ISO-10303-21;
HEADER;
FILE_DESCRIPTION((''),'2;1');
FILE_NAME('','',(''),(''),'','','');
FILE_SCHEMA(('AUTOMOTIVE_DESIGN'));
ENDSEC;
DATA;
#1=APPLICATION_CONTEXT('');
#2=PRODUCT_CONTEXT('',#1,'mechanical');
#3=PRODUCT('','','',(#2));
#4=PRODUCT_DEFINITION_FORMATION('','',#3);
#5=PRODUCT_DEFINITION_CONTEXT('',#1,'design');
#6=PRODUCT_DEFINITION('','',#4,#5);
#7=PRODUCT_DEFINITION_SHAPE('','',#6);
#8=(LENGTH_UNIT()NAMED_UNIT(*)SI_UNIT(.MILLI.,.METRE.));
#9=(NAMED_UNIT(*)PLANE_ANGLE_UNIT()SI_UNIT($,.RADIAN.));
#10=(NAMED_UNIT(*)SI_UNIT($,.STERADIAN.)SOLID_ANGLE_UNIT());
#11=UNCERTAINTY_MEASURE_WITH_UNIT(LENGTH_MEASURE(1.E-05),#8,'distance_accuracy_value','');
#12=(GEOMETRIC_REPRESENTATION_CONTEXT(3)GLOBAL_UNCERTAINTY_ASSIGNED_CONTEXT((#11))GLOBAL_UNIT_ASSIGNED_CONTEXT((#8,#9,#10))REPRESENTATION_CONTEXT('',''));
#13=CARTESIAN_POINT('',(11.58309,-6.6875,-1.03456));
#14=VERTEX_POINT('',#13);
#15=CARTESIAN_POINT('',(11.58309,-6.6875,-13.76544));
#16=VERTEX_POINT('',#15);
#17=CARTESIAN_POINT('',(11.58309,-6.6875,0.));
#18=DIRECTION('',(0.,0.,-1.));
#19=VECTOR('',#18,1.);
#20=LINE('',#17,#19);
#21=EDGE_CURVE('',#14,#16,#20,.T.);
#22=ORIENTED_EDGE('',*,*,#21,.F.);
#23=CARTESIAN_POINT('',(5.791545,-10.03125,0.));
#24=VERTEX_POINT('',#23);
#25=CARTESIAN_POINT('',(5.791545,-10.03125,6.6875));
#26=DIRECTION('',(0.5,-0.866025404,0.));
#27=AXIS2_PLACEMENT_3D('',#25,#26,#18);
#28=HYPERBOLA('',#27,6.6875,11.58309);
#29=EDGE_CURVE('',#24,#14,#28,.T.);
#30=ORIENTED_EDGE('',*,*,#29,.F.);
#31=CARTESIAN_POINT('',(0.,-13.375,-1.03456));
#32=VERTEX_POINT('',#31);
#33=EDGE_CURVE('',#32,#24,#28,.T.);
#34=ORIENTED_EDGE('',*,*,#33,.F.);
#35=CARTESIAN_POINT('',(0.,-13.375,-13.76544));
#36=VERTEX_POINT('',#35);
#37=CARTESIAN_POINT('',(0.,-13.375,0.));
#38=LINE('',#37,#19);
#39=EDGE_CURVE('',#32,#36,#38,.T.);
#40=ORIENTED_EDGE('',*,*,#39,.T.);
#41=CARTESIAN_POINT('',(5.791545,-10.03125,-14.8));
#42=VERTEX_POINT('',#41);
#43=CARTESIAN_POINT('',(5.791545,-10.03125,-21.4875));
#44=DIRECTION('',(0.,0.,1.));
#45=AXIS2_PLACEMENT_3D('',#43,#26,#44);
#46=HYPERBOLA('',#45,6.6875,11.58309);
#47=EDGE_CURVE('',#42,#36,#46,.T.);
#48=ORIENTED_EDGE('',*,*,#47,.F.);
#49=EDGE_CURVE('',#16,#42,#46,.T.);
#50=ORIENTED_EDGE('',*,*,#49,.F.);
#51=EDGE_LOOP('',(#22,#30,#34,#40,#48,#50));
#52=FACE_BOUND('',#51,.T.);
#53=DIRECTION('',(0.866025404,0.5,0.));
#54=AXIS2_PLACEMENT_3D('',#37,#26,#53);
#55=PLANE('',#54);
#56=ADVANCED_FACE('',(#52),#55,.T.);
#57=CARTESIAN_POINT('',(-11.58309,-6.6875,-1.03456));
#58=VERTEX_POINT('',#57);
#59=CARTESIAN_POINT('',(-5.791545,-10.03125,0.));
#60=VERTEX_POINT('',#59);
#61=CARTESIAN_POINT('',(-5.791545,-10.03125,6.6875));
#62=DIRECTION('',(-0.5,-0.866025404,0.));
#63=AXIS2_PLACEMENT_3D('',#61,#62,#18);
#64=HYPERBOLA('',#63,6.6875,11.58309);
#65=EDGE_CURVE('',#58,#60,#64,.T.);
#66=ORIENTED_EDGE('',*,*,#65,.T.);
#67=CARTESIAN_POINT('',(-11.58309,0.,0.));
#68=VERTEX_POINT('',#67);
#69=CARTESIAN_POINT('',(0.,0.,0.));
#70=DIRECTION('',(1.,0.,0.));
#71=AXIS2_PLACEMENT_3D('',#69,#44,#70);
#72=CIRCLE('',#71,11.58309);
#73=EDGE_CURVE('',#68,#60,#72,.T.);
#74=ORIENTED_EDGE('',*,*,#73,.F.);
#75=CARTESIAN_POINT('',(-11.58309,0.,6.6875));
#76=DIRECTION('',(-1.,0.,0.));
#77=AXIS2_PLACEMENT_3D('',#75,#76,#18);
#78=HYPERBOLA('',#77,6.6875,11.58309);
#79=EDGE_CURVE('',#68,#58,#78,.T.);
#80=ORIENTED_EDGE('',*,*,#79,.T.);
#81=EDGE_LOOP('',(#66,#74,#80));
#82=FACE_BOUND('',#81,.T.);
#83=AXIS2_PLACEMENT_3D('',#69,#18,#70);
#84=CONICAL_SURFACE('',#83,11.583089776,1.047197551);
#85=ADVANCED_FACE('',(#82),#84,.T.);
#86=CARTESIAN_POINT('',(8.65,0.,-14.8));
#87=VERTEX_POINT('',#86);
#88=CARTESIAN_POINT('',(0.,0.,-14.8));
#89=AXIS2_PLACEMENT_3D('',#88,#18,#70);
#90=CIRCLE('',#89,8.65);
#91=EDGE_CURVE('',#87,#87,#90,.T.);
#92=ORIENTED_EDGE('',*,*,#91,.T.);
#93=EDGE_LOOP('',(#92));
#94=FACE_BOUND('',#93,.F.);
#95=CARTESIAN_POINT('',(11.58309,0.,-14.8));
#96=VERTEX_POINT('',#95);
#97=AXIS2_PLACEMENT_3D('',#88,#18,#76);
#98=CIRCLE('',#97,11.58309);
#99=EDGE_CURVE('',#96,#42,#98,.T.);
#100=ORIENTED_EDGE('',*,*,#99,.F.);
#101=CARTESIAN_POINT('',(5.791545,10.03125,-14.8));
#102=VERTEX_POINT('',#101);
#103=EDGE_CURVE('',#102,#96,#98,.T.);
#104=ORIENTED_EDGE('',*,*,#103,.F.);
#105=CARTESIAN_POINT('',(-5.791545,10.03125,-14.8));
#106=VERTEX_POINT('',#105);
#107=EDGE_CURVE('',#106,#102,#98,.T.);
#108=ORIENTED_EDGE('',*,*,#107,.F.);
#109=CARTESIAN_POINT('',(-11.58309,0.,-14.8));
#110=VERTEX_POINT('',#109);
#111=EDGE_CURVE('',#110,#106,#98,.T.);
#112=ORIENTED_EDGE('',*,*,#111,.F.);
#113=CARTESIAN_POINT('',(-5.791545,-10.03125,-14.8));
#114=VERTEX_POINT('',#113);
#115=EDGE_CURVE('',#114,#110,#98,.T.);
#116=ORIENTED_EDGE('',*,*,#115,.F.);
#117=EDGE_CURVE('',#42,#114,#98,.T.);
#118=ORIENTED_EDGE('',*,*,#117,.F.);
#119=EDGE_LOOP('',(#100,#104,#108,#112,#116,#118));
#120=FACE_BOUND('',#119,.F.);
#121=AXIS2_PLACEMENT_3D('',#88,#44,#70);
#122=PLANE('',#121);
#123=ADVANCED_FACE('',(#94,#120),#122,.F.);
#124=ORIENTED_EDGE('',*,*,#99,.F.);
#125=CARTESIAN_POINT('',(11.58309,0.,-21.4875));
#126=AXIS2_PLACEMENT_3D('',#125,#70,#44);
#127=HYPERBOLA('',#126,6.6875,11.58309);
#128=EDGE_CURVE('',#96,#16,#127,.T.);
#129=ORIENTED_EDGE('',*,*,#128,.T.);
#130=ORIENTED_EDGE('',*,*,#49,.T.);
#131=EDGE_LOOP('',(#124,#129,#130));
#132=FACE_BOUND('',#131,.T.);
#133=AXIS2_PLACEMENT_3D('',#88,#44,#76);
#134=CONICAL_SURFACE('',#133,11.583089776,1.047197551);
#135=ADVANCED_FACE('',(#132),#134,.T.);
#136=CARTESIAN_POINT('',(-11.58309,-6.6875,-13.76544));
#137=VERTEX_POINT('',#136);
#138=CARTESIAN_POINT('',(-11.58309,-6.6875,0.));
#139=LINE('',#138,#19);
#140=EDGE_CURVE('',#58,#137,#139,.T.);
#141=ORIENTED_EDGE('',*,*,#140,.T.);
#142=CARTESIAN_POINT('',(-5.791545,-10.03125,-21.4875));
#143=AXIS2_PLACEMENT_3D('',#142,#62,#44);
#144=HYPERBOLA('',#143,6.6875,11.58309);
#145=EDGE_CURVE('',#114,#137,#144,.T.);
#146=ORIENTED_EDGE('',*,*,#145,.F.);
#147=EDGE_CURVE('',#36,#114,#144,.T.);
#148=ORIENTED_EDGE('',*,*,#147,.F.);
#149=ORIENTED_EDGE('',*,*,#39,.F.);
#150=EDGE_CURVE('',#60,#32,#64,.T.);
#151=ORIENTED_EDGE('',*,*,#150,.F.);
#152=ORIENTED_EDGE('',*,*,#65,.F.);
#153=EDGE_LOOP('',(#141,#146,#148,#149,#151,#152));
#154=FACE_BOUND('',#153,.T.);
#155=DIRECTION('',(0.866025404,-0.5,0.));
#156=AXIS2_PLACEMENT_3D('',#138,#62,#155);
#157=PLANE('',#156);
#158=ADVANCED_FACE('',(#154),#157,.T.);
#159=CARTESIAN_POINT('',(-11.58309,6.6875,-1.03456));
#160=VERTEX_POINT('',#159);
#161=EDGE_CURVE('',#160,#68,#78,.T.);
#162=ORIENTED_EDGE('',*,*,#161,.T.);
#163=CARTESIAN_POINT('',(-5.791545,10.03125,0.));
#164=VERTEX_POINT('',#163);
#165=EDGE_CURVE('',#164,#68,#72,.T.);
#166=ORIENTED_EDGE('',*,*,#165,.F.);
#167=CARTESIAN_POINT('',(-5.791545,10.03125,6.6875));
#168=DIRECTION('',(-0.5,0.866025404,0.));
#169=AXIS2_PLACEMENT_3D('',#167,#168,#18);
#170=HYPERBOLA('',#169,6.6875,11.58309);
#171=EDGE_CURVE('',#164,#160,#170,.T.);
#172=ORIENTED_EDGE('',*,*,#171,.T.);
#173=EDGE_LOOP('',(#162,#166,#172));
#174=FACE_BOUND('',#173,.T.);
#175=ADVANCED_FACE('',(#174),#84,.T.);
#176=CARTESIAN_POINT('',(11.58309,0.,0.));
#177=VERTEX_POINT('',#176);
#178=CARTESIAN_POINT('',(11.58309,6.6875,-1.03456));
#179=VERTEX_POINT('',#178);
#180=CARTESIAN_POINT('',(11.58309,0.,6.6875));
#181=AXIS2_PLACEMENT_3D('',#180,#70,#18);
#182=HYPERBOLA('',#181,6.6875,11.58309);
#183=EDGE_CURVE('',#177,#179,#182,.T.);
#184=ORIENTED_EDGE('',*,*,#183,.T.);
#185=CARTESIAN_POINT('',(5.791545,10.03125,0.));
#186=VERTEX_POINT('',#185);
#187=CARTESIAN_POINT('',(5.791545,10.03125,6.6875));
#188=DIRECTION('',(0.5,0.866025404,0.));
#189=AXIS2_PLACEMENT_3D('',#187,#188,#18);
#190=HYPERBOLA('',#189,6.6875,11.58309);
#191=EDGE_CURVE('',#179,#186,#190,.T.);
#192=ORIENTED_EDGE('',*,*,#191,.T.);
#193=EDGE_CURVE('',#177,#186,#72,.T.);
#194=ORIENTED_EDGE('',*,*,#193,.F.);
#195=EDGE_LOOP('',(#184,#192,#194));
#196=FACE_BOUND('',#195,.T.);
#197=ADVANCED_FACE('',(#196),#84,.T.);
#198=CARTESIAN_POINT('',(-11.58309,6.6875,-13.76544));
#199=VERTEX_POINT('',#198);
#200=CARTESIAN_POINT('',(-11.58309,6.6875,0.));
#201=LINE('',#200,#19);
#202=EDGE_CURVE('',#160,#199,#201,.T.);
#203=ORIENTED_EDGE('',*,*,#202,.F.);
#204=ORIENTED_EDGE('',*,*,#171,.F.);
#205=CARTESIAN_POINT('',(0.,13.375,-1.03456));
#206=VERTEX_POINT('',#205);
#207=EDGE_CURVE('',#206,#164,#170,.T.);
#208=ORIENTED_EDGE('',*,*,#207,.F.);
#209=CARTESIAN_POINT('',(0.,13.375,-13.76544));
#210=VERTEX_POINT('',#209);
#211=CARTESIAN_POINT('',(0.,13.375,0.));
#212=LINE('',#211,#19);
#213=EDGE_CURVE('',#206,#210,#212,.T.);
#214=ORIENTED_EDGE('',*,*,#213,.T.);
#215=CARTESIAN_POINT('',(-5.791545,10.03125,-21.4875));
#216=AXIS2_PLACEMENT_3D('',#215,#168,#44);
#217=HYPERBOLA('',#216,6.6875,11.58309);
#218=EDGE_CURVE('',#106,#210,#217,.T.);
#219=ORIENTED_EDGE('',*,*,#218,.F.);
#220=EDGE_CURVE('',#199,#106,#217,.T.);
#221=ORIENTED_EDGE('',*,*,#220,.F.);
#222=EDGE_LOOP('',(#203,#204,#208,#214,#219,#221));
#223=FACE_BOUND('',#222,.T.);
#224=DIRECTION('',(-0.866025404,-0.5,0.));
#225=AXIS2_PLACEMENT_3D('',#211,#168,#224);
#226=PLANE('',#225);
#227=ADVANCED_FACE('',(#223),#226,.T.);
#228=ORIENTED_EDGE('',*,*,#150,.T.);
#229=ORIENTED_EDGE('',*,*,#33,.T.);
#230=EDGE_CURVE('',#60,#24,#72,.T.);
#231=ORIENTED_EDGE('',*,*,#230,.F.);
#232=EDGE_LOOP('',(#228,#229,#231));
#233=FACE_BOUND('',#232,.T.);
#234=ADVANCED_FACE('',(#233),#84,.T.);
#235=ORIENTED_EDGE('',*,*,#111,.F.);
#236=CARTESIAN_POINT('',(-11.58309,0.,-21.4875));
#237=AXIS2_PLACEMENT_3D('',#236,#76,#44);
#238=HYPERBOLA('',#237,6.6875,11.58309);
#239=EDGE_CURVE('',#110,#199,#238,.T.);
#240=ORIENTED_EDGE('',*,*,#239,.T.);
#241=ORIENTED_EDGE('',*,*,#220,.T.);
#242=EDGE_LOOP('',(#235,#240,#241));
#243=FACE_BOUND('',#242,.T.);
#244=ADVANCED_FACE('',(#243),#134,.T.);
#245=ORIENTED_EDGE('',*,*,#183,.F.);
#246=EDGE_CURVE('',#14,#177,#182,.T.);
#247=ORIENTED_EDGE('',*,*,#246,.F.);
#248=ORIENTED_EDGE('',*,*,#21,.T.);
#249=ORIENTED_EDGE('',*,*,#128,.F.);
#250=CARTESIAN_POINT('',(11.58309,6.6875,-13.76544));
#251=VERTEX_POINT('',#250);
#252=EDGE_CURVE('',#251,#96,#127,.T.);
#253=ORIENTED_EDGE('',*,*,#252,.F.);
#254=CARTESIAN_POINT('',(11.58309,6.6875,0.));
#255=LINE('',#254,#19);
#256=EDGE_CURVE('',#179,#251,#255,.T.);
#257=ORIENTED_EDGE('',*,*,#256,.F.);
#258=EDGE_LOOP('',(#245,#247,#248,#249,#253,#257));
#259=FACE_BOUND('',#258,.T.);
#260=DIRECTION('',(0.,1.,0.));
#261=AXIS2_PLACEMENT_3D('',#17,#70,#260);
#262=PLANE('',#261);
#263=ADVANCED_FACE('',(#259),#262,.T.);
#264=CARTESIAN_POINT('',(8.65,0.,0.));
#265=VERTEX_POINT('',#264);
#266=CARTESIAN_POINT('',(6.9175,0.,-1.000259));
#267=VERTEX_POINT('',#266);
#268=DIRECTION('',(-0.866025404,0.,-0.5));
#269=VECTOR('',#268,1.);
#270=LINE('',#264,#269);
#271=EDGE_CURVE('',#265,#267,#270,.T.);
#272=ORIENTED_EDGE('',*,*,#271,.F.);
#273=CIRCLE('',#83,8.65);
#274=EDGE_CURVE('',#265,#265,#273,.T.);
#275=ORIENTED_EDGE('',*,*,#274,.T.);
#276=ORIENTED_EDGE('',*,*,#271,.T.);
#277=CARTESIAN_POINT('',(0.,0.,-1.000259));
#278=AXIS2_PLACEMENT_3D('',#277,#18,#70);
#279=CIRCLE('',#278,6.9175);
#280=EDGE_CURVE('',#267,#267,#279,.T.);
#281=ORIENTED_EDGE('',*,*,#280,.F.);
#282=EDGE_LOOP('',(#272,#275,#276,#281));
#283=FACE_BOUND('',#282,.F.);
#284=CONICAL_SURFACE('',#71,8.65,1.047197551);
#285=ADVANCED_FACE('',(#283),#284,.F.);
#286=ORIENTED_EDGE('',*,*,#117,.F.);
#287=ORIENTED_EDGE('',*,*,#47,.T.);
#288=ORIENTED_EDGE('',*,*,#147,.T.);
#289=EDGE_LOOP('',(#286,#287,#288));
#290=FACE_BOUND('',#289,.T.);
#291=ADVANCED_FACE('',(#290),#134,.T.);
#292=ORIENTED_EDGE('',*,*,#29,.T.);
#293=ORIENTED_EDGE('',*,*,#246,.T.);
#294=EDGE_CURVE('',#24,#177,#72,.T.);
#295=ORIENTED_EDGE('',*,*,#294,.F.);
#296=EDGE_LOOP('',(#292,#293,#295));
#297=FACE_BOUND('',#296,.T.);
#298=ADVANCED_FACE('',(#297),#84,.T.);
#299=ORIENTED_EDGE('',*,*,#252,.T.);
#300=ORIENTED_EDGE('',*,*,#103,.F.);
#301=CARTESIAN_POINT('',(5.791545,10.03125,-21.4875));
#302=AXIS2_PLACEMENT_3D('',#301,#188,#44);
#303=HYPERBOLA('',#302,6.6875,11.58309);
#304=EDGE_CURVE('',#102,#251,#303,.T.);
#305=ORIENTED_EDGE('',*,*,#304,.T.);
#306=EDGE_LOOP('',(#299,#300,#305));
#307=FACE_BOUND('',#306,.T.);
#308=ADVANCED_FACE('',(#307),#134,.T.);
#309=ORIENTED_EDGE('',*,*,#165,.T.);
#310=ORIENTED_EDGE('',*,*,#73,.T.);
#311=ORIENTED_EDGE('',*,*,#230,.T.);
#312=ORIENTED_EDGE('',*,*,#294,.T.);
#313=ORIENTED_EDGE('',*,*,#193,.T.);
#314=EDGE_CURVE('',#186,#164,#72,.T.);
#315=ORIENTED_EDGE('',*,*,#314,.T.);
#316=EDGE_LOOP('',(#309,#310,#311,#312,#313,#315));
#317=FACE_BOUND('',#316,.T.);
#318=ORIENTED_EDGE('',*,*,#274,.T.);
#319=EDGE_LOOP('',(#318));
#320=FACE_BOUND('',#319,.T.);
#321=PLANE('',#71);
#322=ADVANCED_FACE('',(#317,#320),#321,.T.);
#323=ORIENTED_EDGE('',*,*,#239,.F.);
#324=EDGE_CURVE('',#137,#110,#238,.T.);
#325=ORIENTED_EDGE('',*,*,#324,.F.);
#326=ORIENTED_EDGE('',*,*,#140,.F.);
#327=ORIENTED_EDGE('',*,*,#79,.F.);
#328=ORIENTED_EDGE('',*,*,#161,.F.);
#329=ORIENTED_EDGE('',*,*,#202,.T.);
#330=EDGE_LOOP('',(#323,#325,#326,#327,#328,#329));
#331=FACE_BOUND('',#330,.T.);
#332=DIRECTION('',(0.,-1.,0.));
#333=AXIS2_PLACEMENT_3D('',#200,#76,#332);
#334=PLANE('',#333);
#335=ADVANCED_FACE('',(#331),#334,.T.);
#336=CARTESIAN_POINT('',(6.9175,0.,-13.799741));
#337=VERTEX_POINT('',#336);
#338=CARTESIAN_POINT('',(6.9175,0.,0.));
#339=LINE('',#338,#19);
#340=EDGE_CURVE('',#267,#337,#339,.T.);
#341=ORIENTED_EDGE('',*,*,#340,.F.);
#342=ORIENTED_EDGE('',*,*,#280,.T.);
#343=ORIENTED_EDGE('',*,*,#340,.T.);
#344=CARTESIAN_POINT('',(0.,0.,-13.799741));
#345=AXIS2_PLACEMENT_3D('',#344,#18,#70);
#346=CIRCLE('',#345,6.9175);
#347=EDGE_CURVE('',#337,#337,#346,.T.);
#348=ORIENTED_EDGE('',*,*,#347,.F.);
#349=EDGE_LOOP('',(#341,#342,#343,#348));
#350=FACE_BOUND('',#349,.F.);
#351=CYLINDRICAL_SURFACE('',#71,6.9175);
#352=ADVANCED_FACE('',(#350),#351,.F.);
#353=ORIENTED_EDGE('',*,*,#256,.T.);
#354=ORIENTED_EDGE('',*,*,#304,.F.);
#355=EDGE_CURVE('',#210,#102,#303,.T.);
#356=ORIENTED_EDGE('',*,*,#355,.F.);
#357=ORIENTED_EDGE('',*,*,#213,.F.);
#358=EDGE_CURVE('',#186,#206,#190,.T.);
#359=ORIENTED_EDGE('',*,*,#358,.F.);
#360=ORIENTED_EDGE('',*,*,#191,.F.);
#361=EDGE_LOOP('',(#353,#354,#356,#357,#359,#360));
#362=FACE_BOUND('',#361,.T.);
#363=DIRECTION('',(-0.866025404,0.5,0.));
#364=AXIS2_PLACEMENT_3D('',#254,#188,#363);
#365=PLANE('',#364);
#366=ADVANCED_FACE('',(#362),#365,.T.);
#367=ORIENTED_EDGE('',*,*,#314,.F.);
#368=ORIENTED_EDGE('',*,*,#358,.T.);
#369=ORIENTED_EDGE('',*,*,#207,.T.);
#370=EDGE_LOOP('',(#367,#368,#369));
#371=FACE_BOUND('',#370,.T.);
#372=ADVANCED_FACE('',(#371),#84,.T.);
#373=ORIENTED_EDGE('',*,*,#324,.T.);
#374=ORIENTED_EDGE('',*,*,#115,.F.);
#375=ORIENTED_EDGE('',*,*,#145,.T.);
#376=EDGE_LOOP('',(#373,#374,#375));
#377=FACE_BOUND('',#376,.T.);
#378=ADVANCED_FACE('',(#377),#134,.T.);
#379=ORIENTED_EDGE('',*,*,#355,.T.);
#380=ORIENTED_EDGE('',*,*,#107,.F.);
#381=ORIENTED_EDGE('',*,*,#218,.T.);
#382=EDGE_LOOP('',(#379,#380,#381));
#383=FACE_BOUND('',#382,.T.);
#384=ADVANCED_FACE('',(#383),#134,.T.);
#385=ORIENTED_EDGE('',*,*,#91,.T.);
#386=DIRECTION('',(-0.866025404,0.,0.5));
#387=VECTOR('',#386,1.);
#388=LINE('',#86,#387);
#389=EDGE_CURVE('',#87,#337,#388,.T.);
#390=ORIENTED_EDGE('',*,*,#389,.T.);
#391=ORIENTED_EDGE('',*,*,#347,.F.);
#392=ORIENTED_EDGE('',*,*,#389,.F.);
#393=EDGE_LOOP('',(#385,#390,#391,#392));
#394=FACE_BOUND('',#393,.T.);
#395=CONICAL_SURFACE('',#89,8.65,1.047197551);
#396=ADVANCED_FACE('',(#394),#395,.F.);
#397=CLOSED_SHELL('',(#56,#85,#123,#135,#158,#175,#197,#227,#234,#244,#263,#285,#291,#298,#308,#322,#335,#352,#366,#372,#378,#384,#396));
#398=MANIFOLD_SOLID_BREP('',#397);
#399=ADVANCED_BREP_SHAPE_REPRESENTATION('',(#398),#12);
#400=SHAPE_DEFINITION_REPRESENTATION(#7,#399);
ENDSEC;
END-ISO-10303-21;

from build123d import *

# Parameters (mm, degrees)
SKETCH_3_R          = 6.9175
EXTRUDE_1_DEPTH     = 14.8
SKETCH_5_R          = 20.0625
SKETCH_5_R_2        = 11.583089776
CUT_EXTRUDE_1_DEPTH = 2.96
CUT_EXTRUDE_1_DRAFT = -60
SKETCH_7_R          = 20.0625
SKETCH_7_R_2        = 11.583089776
CUT_EXTRUDE_2_DEPTH = 2.96
CUT_EXTRUDE_2_DRAFT = -60


with BuildPart() as part:
    # 草图3 → 凸台-拉伸1 (new body)
    with BuildSketch(Plane.XY):
        Polygon((0, 13.375), (-11.583089776, 6.6875), (-11.583089776, -6.6875), (0, -13.375), (11.583089776, -6.6875), (11.583089776, 6.6875), align=None)
        Circle(SKETCH_3_R, mode=Mode.SUBTRACT)
    extrude(amount=-EXTRUDE_1_DEPTH)

    # 草图4 → 切除-旋转1 (revolve, cut)
    with BuildSketch(Plane(origin=(0, 0, 0), x_dir=(0, 0, -1), z_dir=(1, 0, 0)), mode=Mode.PRIVATE) as cut_revolve_1_sk:
        Polygon((0, 8.65), (1.000259341, 6.9175), (1.000259341, 0), (0, 0), align=None)
        Polygon((14.8, 0), (14.8, 8.65), (13.799740659, 6.9175), (13.799740659, 0), align=None)
    revolve(cut_revolve_1_sk.sketch.rotate(Axis((0, 0, 0), (0, 0, -1)), 90), axis=Axis((0, 0, 0), (0, 0, -1)), mode=Mode.SUBTRACT)


with BuildPart() as cut_extrude_1_tool:
    # 草图5 → 切除-拉伸1 (with draft: the straight prism first)
    with BuildSketch(Plane.XY):
        Circle(SKETCH_5_R)
        Circle(SKETCH_5_R_2, mode=Mode.SUBTRACT)
    extrude(amount=-CUT_EXTRUDE_1_DEPTH)
    # 切除-拉伸1: the draft: its side faces are tilted about the plane it starts from
    cut_extrude_1_sides = [cut_extrude_1_tool.faces().sort_by_distance(p)[0] for p in [
        (-20.0625, 0, -1.48),
        (-11.583089776, 0, -1.48),
    ]]
    draft(cut_extrude_1_sides, Plane.XY, CUT_EXTRUDE_1_DRAFT)


with BuildPart() as part_1:
    add(part.part)

    # 切除-拉伸1: cut by cut_extrude_1_tool
    add(cut_extrude_1_tool.part, mode=Mode.SUBTRACT)


with BuildPart() as cut_extrude_2_tool:
    # 草图7 → 切除-拉伸2 (with draft: the straight prism first)
    with BuildSketch(Plane(origin=(0, 0, -14.8), x_dir=(-1, 0, 0), z_dir=(0, 0, -1))):
        Circle(SKETCH_7_R)
        Circle(SKETCH_7_R_2, mode=Mode.SUBTRACT)
    extrude(amount=-CUT_EXTRUDE_2_DEPTH)
    # 切除-拉伸2: the draft: its side faces are tilted about the plane it starts from
    cut_extrude_2_sides = [cut_extrude_2_tool.faces().sort_by_distance(p)[0] for p in [
        (20.0625, 0, -13.32),
        (11.583089776, 0, -13.32),
    ]]
    draft(cut_extrude_2_sides, Plane(origin=(0, 0, -14.8), x_dir=(-1, 0, 0), z_dir=(0, 0, -1)), CUT_EXTRUDE_2_DRAFT)


with BuildPart() as part_2:
    add(part_1.part)

    # 切除-拉伸2: cut by cut_extrude_2_tool
    add(cut_extrude_2_tool.part, mode=Mode.SUBTRACT)


solid = part_2.part
